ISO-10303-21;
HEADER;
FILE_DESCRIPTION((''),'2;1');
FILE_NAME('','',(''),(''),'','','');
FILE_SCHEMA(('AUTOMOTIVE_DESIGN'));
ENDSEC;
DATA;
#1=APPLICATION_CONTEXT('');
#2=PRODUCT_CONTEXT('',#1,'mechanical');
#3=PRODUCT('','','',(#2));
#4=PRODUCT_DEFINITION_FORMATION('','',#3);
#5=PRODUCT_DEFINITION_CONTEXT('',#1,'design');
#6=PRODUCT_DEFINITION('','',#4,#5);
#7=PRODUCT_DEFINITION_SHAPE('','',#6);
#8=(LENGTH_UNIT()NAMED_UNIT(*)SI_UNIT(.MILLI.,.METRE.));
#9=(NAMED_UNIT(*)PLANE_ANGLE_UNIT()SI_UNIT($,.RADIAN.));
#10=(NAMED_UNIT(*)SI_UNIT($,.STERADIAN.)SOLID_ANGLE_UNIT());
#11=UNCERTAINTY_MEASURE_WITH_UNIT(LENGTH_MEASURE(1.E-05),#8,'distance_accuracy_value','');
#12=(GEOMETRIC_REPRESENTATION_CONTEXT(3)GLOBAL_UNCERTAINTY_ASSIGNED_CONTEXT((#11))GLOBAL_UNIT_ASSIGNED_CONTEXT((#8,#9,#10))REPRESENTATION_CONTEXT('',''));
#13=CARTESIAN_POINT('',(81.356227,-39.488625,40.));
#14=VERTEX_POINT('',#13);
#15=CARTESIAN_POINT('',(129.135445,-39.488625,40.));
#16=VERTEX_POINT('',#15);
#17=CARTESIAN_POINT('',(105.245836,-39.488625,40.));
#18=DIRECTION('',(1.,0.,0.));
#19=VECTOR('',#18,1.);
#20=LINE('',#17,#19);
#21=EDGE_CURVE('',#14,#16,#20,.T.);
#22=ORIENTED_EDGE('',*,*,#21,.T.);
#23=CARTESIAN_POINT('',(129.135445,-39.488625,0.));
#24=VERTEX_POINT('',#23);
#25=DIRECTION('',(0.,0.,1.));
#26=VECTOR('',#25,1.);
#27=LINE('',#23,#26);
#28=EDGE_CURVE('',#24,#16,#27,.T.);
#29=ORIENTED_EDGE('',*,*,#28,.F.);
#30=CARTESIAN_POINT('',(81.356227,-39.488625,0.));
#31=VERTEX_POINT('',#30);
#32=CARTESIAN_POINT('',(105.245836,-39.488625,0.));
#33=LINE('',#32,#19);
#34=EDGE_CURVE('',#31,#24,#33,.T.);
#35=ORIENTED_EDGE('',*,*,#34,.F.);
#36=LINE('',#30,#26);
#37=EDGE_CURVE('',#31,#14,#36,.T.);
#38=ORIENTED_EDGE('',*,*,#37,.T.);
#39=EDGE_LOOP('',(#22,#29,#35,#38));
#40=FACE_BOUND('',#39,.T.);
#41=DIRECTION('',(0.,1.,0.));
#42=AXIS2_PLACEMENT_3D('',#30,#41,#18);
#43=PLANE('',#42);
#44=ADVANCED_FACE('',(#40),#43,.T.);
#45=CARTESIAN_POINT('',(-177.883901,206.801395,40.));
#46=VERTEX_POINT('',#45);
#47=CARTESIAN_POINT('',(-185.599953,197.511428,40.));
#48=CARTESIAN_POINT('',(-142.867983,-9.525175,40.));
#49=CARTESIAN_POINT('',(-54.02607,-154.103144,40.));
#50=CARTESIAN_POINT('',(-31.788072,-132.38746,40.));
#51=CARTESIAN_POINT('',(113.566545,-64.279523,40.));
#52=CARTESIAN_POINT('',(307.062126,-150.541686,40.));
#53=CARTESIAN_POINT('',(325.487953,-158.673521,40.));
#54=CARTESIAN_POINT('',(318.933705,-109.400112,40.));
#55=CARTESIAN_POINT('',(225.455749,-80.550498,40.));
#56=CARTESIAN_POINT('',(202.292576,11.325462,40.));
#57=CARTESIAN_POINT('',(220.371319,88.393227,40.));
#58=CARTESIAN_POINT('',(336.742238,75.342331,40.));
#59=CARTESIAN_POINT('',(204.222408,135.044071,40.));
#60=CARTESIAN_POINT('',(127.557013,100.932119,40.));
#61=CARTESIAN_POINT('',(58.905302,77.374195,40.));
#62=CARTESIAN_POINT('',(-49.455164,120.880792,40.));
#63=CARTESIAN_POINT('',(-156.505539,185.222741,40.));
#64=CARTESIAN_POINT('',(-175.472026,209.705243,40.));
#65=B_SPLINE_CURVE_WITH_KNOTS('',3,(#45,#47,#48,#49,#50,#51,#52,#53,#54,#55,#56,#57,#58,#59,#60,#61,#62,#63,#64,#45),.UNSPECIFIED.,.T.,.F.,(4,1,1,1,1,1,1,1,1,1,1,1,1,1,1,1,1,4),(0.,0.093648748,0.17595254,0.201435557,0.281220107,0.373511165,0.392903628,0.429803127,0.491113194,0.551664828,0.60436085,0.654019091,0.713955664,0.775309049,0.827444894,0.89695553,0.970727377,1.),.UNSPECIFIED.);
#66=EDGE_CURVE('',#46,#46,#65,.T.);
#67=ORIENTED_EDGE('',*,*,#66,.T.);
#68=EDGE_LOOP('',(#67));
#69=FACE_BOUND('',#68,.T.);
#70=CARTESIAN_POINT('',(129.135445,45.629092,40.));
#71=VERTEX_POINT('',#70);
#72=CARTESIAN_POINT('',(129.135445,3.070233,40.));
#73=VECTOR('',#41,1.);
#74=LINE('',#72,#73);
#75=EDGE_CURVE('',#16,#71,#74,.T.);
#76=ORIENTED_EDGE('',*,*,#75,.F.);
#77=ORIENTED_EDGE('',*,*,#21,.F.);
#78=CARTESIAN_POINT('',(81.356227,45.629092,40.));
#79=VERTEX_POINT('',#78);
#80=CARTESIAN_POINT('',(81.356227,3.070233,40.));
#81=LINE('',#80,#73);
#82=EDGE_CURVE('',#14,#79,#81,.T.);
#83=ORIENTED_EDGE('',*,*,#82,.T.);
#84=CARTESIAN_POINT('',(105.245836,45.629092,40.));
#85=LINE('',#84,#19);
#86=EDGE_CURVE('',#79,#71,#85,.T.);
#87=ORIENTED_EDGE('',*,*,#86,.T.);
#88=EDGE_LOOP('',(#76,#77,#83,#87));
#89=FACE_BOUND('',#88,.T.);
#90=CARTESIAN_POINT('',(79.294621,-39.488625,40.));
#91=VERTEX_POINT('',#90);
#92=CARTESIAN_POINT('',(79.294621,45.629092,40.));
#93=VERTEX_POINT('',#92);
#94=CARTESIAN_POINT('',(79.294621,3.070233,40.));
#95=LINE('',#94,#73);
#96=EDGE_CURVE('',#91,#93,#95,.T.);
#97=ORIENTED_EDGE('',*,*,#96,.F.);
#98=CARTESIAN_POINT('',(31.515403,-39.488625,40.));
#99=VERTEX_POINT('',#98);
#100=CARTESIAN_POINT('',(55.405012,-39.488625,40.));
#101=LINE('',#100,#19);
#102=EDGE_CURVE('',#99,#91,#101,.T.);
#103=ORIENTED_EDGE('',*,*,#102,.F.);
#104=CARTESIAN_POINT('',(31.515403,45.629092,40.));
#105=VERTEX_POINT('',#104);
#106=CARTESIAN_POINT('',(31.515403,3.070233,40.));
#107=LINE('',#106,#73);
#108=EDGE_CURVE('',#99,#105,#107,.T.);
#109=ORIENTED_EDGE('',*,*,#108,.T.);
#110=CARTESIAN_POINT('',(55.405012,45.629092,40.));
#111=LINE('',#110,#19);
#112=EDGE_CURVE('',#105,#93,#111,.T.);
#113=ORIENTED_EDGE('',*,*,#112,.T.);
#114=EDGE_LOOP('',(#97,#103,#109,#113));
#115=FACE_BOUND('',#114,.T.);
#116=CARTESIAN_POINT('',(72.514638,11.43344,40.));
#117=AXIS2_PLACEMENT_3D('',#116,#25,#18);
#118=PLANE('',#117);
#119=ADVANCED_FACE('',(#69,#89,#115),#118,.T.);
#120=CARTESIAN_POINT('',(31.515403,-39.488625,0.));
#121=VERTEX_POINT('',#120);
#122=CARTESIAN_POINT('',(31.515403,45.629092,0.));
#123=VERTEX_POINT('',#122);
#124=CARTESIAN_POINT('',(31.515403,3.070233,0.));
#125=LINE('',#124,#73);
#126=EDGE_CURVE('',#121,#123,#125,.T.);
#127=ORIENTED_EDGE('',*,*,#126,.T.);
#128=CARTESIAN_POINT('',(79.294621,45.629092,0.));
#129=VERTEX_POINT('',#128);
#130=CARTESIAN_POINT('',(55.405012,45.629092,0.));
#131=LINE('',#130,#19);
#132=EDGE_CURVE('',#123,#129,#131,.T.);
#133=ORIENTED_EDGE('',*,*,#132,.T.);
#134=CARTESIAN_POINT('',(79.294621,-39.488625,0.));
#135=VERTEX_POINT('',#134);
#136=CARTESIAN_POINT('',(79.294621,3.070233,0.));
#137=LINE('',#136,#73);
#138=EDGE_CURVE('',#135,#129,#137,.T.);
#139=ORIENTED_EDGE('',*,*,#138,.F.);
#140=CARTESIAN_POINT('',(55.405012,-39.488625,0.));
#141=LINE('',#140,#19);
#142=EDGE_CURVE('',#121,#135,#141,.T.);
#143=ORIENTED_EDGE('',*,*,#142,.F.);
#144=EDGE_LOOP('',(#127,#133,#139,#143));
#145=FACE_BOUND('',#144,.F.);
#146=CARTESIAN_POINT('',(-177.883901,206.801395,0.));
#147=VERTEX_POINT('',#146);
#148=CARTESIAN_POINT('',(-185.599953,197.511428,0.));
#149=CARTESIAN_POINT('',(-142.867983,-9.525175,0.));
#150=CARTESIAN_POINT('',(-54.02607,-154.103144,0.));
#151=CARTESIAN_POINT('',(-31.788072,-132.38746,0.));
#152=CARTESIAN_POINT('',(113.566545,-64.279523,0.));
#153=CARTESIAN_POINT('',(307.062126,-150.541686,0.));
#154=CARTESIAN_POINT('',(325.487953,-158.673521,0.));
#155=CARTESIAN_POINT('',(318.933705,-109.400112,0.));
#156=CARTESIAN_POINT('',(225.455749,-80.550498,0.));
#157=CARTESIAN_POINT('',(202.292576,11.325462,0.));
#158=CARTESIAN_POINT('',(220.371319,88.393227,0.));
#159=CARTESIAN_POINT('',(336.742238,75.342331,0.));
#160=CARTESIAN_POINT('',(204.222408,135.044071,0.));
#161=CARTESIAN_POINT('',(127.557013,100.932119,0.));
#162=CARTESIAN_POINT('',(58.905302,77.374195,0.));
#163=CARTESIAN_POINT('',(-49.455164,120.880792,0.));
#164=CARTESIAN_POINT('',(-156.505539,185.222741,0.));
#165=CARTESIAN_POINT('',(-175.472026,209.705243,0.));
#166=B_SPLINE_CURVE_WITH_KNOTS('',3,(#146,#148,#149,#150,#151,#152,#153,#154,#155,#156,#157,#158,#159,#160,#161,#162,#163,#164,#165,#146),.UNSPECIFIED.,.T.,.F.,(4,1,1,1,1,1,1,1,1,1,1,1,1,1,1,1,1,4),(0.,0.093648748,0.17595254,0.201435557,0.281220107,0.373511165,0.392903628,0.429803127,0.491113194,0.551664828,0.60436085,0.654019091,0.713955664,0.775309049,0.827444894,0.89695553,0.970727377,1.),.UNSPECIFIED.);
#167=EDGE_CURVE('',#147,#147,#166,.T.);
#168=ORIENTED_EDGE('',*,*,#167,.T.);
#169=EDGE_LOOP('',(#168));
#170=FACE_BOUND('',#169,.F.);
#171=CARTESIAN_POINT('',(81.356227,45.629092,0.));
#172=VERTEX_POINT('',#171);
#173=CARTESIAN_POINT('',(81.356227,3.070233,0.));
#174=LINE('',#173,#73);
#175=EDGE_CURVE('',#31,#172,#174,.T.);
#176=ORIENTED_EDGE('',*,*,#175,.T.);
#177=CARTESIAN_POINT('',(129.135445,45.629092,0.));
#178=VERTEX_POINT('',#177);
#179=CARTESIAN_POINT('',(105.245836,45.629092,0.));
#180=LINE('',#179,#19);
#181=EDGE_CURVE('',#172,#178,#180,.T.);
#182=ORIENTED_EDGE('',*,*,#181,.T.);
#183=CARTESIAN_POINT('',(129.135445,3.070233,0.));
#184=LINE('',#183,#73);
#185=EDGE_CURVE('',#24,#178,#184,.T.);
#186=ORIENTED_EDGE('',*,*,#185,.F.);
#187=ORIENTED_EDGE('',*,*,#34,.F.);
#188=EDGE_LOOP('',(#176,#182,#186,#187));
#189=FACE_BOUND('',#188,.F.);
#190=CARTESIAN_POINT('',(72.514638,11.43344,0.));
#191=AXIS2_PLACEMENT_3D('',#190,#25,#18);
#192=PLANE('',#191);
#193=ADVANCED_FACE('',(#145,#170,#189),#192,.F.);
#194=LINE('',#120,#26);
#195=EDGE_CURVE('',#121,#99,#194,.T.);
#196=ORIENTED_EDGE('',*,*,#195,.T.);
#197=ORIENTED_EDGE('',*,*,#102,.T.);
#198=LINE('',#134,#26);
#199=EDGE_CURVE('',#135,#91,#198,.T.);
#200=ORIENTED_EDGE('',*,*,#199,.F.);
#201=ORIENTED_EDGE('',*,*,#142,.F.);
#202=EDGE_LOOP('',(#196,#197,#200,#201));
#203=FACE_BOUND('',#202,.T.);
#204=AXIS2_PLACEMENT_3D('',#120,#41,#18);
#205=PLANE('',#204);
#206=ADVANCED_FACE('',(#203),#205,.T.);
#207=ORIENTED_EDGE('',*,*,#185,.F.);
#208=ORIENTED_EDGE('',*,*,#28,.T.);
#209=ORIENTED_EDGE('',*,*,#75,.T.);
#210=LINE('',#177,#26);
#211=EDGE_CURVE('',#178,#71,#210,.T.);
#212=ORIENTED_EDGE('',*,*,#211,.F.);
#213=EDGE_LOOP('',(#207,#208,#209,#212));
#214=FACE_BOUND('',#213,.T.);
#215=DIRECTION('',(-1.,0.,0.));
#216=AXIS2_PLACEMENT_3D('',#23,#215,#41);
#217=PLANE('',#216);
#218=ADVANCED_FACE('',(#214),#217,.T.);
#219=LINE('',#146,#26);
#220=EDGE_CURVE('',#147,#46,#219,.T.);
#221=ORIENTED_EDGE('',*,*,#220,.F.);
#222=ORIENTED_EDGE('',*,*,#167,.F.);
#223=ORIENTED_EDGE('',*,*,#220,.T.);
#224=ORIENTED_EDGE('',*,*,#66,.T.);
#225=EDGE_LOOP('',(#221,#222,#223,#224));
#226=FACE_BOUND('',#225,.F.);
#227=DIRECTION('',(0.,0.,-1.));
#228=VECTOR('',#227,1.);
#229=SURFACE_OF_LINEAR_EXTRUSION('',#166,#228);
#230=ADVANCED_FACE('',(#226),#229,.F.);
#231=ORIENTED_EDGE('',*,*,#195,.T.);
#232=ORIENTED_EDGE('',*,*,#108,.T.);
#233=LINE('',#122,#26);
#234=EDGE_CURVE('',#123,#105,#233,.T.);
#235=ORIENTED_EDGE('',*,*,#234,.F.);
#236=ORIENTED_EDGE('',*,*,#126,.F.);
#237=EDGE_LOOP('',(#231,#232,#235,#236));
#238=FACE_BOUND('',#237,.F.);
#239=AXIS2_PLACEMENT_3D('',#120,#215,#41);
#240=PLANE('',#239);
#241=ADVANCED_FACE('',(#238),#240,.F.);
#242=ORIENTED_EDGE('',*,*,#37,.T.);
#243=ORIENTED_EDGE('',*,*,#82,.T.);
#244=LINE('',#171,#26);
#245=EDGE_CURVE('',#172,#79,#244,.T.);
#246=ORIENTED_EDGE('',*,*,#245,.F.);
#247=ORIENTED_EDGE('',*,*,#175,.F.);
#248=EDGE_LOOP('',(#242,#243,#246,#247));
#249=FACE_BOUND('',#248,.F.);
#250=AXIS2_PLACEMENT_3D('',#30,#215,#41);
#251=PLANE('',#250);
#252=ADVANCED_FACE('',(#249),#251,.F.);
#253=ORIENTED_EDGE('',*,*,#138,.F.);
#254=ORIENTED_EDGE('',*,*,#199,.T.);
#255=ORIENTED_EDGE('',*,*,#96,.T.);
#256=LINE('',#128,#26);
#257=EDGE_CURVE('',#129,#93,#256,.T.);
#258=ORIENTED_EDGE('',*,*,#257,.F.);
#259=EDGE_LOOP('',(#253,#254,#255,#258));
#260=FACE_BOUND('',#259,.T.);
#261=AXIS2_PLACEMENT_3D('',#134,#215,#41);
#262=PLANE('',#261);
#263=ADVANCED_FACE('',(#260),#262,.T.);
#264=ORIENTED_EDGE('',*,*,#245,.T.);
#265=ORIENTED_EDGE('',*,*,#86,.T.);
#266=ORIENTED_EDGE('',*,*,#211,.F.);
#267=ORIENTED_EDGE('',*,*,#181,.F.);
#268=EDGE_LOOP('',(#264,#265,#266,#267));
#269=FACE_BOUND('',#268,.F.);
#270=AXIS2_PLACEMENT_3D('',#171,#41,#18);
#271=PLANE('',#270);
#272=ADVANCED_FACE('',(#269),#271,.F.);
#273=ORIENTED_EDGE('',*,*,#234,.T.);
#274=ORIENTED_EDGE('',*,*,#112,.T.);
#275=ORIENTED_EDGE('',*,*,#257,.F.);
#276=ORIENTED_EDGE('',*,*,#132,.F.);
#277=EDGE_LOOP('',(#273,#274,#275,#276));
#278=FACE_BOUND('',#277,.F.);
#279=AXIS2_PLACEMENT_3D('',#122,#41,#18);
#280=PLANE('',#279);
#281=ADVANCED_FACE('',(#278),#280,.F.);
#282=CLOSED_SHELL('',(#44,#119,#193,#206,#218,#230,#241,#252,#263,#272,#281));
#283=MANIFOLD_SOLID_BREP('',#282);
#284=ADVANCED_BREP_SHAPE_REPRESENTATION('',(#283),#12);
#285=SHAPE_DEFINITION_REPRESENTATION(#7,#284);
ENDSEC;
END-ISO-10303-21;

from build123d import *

# Parameters (mm, degrees)
F0_W     = 47.7792173624
F0_H     = 85.1177163422
F1_DEPTH = 40


with BuildPart() as f1:
    # F0 (on Top) → F1 (new body)
    with BuildSketch(Plane.XY):
        with BuildLine():
            add(Edge.make_bspline(
                [(-177.883900826, 206.801395391), (-185.5999527311, 197.511428085), (-142.8679832324, -9.525175061), (-54.0260700903, -154.1031435267), (-31.7880718523, -132.3874596077), (113.5665445075, -64.279523449), (307.0621261772, -150.5416862748), (325.487952857, -158.6735205371), (318.9337053057, -109.4001118318), (225.4557494557, -80.5504984926), (202.2925759179, 11.3254624188), (220.3713192839, 88.3932273456), (336.7422379711, 75.3423308205), (204.2224076437, 135.0440705691), (127.5570134225, 100.9321194093), (58.9053016294, 77.3741951609), (-49.4551641951, 120.8807924604), (-156.5055393469, 185.2227410141), (-175.4720257881, 209.7052431779), (-177.883900826, 206.801395391)],
                knots=[0, 0, 0, 0, 0.0936487482, 0.1759525396, 0.2014355567, 0.2812201068, 0.373511165, 0.3929036281, 0.429803127, 0.4911131941, 0.5516648277, 0.6043608503, 0.6540190907, 0.7139556636, 0.7753090492, 0.8274448939, 0.8969555295, 0.9707273771, 1, 1, 1, 1], degree=3))
        make_face()
        with Locations((55.4050119456, 3.0702333897)):
            Rectangle(F0_W, F0_H, mode=Mode.SUBTRACT)
        with Locations((105.2458360791, 3.0702333897)):
            Rectangle(F0_W, F0_H, mode=Mode.SUBTRACT)
    extrude(amount=F1_DEPTH)


solid = f1.part
